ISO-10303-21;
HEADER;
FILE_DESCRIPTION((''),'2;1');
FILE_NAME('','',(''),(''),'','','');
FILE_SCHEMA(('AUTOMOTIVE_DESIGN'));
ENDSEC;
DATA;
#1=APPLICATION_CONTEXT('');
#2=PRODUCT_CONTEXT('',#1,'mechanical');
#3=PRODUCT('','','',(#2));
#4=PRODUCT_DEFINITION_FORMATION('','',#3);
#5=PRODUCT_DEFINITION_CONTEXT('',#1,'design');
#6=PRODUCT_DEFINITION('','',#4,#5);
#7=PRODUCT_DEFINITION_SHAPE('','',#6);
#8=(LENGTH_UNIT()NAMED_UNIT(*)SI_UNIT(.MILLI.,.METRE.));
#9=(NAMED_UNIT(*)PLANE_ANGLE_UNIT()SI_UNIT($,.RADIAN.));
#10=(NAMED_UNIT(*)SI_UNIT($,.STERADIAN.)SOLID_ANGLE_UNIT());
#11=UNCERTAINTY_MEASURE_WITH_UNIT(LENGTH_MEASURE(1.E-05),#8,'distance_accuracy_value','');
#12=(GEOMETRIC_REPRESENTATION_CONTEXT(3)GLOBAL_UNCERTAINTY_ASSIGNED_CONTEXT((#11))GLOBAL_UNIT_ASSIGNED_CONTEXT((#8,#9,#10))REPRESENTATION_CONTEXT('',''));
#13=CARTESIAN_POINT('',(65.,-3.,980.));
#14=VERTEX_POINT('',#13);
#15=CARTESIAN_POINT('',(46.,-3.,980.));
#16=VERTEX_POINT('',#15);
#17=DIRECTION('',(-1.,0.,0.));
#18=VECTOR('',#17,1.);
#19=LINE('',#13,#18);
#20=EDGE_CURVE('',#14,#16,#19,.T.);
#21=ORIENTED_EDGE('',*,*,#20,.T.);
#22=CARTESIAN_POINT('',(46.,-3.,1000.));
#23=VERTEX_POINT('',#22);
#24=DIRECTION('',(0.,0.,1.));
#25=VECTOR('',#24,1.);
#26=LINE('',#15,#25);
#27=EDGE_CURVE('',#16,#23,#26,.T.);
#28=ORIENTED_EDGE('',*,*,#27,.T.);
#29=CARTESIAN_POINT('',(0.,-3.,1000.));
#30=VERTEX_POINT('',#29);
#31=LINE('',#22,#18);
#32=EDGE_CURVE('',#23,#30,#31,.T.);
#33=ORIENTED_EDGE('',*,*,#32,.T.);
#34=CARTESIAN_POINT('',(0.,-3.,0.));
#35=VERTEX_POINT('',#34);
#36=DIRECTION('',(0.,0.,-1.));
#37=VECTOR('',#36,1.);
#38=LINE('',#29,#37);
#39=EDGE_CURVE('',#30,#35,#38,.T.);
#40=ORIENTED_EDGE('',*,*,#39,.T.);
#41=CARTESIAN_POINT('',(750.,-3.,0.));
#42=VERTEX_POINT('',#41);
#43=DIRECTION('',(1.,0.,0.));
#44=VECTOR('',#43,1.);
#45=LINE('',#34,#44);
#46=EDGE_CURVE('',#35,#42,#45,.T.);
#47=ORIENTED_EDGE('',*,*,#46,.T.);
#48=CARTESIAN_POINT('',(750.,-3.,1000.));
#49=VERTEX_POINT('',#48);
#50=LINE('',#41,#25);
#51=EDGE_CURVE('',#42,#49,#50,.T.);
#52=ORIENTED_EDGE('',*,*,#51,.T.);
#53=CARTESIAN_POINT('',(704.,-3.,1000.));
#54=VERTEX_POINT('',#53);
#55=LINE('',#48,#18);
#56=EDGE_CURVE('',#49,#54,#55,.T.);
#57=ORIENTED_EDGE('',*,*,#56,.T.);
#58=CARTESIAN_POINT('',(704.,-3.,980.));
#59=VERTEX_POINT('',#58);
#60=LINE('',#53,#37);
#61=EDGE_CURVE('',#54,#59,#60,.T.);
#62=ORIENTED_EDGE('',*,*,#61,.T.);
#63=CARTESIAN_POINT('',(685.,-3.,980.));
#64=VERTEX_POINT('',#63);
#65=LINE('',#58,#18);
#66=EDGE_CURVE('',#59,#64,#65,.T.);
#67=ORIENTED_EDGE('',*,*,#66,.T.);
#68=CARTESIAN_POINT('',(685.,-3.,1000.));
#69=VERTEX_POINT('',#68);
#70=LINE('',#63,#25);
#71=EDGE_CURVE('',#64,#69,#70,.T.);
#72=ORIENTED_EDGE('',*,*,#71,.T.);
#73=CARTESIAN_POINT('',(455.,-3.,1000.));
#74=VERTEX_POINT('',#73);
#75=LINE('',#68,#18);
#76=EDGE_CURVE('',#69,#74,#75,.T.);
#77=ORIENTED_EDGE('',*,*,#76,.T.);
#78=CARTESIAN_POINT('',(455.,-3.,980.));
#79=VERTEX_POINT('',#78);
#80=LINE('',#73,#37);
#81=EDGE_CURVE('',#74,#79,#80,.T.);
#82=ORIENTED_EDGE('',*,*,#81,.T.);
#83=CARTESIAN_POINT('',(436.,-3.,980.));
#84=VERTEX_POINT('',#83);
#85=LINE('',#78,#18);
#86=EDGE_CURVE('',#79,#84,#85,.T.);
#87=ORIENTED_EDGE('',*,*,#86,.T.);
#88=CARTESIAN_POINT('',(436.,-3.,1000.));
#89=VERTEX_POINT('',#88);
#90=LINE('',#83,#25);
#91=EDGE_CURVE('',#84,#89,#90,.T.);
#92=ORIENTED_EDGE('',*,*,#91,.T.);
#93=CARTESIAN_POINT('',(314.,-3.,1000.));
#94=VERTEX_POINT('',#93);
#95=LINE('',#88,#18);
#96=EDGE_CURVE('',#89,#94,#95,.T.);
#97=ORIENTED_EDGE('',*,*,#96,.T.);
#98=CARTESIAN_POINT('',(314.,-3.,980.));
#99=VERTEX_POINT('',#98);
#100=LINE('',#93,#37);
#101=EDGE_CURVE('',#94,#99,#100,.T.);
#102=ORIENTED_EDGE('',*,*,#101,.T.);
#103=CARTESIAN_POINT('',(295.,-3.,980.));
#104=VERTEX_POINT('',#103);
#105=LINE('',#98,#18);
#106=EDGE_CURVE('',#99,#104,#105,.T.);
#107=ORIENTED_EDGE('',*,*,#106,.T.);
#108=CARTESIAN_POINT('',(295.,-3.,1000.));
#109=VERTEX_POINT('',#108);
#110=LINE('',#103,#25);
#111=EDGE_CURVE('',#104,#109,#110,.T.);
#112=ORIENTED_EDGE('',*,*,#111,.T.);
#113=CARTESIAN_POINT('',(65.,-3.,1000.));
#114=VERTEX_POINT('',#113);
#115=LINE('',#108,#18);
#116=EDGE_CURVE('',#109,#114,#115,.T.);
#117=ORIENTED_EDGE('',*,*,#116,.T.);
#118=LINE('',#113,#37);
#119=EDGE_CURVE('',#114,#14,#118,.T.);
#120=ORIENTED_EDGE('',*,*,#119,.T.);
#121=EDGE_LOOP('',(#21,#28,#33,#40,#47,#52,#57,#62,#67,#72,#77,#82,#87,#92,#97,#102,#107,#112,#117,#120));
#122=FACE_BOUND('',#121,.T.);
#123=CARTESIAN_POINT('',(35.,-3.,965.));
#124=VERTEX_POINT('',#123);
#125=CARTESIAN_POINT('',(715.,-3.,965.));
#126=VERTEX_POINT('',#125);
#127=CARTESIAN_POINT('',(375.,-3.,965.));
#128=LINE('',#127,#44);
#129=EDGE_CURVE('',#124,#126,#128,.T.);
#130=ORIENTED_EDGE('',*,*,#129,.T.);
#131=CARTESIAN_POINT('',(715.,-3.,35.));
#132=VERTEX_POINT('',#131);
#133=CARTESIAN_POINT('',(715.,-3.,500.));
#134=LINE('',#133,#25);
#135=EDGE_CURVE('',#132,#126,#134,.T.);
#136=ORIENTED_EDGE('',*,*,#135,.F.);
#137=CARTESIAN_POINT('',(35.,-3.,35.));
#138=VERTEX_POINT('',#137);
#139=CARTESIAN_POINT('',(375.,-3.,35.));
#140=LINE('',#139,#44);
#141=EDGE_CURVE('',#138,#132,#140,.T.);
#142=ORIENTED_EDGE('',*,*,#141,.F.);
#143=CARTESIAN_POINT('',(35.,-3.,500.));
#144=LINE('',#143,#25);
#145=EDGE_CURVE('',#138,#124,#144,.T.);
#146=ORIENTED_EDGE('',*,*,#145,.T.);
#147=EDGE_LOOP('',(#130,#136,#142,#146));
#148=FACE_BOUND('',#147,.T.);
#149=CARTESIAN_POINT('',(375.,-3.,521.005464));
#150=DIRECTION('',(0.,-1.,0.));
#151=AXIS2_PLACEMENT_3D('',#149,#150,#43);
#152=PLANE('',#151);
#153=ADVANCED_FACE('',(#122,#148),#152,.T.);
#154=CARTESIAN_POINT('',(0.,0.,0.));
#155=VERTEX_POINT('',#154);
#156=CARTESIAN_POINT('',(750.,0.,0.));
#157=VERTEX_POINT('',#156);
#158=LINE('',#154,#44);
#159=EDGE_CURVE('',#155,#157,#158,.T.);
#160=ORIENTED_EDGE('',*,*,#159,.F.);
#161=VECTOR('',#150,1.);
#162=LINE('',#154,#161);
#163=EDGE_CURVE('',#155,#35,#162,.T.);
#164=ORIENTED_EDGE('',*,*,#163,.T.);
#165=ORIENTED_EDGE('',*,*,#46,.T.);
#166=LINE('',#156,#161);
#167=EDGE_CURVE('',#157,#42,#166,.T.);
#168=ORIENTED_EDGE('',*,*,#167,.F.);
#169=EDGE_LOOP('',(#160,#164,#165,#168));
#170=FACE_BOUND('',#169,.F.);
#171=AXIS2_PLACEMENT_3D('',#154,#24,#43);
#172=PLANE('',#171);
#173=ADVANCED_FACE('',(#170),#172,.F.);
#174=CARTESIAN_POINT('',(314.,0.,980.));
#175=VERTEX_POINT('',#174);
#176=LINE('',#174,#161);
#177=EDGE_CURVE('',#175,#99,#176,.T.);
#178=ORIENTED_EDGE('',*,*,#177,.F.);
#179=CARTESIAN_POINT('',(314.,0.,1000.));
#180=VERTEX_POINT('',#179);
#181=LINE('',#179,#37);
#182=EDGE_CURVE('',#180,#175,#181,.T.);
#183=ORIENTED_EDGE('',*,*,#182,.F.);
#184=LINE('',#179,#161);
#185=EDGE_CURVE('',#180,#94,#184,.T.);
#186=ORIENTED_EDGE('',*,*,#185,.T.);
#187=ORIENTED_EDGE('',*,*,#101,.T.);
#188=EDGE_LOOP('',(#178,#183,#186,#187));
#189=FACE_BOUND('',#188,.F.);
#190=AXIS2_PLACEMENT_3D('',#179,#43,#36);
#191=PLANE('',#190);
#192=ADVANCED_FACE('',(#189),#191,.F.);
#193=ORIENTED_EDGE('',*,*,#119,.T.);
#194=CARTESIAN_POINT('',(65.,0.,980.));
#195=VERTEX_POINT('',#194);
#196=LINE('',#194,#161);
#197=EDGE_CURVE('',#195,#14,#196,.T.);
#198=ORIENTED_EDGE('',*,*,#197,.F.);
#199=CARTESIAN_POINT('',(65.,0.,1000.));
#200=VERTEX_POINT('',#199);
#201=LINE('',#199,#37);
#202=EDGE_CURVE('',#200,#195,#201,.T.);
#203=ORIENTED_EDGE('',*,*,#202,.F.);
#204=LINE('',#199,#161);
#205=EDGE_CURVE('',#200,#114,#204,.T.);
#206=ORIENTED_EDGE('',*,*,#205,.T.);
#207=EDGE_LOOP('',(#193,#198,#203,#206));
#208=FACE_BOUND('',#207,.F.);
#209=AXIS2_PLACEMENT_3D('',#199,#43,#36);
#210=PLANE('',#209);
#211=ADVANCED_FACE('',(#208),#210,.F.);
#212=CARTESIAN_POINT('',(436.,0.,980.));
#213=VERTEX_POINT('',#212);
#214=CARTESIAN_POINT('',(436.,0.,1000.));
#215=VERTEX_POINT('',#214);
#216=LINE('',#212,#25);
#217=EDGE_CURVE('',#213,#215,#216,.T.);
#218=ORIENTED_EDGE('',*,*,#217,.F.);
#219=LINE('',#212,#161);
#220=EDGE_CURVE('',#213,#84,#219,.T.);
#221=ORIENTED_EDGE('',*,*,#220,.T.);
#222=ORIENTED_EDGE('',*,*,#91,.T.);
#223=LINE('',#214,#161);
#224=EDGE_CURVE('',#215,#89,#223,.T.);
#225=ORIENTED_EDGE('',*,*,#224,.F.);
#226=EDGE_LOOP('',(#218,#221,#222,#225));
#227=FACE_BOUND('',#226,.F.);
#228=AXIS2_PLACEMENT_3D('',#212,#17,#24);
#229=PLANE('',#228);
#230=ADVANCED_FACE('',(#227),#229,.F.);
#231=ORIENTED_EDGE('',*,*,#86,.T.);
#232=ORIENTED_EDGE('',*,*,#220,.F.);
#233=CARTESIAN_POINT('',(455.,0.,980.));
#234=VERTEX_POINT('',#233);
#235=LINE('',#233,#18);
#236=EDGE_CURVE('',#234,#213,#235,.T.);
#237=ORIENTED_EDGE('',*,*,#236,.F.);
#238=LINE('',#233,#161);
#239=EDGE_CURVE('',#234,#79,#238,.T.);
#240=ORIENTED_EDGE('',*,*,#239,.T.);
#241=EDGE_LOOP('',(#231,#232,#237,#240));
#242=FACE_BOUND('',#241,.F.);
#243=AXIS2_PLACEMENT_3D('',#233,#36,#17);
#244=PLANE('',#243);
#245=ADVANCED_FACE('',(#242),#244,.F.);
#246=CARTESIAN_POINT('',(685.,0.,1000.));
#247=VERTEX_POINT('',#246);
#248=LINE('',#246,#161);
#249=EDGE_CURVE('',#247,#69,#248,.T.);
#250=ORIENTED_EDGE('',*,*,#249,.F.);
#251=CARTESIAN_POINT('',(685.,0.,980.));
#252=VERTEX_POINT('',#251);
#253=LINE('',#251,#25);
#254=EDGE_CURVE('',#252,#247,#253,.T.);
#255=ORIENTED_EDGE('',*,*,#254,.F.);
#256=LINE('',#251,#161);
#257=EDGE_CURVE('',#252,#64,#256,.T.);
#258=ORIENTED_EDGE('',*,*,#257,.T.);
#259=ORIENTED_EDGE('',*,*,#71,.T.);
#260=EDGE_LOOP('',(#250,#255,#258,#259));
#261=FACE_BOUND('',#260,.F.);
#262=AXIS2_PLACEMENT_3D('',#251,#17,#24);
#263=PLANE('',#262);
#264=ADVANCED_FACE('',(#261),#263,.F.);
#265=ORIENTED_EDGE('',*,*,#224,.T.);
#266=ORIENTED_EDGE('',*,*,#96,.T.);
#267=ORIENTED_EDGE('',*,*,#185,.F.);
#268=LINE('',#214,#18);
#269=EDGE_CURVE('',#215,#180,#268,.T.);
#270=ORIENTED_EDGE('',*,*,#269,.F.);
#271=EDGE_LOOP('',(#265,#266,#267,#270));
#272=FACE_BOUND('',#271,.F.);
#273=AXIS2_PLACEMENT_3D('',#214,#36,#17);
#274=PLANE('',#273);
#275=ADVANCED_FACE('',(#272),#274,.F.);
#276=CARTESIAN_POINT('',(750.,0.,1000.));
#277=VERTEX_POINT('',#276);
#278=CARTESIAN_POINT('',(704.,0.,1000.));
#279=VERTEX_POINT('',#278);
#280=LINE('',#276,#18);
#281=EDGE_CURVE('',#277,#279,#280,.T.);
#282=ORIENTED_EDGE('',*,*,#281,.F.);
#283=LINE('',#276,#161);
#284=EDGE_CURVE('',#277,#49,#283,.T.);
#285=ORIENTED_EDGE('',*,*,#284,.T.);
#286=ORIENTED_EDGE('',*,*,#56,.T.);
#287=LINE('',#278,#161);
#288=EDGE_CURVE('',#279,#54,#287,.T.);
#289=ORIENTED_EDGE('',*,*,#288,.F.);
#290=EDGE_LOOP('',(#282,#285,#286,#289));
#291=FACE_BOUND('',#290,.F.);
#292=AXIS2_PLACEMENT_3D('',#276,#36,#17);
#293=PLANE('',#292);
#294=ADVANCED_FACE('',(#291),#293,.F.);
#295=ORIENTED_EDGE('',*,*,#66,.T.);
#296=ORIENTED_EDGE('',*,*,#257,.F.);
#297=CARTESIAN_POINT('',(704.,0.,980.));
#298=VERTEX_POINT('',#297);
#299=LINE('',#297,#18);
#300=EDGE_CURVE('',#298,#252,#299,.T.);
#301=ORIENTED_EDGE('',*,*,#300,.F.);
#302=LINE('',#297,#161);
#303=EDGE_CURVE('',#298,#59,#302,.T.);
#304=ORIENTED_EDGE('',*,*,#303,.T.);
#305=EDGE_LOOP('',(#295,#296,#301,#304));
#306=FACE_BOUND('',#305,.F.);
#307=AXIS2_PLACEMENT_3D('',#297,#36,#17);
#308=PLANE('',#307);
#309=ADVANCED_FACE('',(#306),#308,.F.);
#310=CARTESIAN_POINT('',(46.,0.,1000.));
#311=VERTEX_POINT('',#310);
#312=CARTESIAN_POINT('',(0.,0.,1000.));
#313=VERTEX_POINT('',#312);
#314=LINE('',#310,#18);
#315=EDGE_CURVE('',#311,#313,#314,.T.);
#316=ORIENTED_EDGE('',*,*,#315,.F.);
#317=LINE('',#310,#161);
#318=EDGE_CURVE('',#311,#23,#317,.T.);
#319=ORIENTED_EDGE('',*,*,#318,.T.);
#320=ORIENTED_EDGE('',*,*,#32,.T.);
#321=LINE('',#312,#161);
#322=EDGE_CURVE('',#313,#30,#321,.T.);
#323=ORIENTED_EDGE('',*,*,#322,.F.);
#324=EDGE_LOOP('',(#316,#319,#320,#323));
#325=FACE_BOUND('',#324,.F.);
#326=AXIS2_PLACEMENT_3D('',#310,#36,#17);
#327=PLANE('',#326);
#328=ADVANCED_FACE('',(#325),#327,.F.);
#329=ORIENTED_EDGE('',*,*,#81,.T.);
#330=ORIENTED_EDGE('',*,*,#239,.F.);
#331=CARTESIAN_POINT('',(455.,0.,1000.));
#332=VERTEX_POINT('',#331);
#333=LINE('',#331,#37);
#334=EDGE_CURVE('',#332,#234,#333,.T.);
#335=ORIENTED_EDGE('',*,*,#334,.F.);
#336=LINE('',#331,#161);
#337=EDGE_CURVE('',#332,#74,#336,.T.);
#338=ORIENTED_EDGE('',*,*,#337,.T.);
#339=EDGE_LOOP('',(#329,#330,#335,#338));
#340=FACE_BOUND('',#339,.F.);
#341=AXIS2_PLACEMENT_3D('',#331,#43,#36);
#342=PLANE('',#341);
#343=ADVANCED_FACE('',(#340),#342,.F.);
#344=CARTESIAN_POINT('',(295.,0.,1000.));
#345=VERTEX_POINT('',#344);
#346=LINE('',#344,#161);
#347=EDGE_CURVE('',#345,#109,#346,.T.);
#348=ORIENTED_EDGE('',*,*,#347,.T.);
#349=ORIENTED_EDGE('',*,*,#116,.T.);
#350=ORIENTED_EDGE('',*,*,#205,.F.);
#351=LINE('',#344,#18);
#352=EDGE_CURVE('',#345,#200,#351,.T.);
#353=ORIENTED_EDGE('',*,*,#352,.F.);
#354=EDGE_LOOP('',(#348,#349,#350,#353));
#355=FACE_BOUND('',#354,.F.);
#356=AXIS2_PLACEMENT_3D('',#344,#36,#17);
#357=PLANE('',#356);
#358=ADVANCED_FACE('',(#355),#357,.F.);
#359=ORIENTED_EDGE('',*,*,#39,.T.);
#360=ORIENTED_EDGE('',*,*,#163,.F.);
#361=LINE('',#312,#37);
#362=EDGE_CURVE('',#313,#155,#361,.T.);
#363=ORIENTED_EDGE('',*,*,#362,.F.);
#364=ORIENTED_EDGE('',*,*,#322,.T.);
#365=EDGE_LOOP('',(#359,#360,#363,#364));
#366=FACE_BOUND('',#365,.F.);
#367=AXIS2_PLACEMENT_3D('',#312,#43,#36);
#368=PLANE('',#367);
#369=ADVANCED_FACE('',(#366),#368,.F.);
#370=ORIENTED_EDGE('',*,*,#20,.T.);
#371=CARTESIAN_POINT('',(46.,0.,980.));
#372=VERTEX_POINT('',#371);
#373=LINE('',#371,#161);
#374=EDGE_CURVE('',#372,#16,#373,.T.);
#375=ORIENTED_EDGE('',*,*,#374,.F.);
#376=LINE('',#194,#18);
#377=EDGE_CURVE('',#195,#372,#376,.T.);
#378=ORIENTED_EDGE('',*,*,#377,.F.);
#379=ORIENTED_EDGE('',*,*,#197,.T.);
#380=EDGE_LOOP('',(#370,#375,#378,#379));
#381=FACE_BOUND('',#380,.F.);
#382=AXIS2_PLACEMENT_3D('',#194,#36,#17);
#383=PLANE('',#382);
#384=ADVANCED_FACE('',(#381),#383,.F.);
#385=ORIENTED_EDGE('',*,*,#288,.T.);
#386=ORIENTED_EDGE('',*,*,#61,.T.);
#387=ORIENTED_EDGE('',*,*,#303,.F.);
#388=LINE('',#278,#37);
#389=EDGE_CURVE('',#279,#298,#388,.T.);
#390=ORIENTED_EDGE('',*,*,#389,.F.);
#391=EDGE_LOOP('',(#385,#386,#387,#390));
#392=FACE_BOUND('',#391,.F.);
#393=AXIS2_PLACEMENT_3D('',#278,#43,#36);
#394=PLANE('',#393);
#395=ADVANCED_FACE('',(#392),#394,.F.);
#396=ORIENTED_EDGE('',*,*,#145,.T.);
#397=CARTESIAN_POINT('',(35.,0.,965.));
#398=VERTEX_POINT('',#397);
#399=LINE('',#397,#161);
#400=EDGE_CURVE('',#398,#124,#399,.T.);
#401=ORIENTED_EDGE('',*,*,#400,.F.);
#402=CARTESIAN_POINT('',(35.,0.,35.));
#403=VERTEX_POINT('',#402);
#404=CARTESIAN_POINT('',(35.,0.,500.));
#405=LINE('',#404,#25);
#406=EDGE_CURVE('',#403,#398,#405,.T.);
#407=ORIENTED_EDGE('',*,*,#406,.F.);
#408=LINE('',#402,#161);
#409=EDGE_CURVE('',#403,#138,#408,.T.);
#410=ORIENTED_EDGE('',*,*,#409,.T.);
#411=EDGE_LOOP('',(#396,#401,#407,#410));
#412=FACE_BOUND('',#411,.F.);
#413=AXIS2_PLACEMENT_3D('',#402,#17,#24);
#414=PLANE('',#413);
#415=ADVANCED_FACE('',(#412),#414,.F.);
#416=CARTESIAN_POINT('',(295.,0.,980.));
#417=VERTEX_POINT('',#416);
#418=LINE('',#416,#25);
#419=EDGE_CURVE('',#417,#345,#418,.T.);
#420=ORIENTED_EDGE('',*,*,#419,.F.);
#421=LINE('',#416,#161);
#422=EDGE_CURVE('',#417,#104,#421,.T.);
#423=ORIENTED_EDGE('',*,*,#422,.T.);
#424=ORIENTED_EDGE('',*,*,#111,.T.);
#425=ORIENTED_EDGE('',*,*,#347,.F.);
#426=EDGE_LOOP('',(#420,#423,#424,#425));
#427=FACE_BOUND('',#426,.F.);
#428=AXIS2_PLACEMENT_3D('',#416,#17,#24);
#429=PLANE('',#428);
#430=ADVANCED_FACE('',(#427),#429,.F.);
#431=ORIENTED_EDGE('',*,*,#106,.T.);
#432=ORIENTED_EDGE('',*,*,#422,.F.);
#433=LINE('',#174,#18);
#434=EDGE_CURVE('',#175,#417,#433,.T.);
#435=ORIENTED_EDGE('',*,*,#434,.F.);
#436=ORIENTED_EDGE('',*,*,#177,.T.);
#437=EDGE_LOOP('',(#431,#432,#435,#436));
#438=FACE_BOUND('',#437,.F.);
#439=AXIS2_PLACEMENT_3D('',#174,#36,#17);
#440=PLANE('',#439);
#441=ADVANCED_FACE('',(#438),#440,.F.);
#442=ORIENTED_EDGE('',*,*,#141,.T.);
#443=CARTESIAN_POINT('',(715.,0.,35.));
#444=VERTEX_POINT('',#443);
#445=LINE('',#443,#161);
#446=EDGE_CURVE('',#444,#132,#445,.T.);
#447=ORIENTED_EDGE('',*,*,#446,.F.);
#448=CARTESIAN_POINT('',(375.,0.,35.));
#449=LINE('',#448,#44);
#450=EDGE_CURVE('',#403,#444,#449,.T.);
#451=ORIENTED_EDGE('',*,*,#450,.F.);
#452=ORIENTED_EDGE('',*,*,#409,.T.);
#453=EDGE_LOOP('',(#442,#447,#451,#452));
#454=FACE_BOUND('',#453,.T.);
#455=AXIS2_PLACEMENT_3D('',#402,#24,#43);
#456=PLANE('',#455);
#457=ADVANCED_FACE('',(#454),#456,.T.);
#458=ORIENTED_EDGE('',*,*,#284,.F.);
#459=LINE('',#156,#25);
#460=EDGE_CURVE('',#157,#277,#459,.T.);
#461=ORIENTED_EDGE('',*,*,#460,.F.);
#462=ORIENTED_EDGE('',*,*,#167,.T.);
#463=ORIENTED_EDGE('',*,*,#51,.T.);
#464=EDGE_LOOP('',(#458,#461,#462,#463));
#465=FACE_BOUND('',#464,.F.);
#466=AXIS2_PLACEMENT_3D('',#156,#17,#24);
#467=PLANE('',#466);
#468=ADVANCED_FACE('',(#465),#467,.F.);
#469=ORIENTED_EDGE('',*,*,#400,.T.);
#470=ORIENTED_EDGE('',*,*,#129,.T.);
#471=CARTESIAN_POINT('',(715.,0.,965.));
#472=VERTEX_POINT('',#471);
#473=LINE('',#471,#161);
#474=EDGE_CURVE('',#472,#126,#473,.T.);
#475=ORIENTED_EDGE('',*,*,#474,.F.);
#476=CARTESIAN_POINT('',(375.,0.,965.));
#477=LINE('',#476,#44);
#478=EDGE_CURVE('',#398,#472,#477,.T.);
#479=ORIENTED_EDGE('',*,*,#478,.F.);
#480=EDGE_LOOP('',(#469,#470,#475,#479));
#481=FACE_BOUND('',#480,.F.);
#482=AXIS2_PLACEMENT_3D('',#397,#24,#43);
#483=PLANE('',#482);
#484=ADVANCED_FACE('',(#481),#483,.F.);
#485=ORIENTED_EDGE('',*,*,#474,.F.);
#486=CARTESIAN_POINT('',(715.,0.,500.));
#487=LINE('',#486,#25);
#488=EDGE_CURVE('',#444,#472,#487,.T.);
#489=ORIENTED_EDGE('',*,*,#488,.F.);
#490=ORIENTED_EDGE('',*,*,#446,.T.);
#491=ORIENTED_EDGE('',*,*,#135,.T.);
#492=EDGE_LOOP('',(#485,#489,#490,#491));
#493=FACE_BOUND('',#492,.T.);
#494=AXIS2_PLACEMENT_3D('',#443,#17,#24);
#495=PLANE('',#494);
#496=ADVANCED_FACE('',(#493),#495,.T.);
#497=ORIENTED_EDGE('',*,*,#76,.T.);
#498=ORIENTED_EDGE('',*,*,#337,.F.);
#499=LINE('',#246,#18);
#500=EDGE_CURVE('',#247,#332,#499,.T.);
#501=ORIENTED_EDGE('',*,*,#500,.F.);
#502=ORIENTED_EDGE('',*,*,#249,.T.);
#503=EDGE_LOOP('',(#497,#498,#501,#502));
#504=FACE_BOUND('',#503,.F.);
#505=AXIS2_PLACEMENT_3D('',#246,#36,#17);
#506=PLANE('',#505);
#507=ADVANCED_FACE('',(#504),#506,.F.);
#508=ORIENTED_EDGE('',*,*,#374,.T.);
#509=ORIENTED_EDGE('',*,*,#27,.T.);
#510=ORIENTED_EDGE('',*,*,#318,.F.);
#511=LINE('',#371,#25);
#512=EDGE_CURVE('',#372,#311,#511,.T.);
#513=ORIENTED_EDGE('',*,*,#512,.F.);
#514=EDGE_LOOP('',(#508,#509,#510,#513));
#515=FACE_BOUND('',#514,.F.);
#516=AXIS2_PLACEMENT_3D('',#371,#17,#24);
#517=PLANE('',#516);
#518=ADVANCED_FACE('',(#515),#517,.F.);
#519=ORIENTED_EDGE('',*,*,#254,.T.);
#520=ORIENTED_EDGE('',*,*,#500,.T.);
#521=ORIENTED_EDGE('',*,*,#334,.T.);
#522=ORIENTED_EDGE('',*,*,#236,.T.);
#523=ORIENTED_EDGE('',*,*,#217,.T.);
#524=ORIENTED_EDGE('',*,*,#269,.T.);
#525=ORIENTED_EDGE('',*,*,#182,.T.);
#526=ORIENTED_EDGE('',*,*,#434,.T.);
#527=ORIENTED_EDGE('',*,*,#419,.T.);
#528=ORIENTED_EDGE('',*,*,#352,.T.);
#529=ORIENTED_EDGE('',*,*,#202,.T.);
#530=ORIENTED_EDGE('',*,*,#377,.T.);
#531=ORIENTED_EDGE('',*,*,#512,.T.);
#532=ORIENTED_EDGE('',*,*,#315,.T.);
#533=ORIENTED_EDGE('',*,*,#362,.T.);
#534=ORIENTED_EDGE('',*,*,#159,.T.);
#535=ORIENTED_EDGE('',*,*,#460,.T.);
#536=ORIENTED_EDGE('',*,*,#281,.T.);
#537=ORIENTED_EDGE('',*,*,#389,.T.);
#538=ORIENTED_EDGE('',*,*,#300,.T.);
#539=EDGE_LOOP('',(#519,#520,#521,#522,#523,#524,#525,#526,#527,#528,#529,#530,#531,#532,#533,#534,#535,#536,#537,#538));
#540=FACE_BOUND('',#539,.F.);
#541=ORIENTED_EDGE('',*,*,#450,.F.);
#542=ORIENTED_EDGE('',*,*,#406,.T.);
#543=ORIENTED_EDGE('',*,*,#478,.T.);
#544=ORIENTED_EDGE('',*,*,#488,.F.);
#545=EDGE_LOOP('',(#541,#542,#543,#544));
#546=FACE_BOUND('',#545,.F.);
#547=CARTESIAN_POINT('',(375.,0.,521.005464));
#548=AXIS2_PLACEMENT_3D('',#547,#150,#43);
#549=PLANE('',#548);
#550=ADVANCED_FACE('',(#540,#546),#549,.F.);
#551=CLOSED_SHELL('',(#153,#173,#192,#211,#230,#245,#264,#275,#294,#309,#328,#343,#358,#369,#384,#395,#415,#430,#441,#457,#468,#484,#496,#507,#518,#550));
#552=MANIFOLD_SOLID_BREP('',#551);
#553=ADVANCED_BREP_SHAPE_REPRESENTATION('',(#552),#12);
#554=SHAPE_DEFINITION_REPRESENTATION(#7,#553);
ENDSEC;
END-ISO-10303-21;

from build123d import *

# Parameters (mm, degrees)
F0_W     = 680
F0_H     = 930
F1_DEPTH = 3


with BuildPart() as f1:
    # F0 (on Front) → F1 (new body)
    with BuildSketch(Plane.XZ):
        Polygon((0, 1000), (0, 0), (750, 0), (750, 1000), (704, 1000), (704, 980), (685, 980), (685, 1000), (455, 1000), (455, 980), (436, 980), (436, 1000), (314, 1000), (314, 980), (295, 980), (295, 1000), (65, 1000), (65, 980), (46, 980), (46, 1000), align=None)
        with Locations((375, 500)):
            Rectangle(F0_W, F0_H, mode=Mode.SUBTRACT)
    extrude(amount=F1_DEPTH)


solid = f1.part
